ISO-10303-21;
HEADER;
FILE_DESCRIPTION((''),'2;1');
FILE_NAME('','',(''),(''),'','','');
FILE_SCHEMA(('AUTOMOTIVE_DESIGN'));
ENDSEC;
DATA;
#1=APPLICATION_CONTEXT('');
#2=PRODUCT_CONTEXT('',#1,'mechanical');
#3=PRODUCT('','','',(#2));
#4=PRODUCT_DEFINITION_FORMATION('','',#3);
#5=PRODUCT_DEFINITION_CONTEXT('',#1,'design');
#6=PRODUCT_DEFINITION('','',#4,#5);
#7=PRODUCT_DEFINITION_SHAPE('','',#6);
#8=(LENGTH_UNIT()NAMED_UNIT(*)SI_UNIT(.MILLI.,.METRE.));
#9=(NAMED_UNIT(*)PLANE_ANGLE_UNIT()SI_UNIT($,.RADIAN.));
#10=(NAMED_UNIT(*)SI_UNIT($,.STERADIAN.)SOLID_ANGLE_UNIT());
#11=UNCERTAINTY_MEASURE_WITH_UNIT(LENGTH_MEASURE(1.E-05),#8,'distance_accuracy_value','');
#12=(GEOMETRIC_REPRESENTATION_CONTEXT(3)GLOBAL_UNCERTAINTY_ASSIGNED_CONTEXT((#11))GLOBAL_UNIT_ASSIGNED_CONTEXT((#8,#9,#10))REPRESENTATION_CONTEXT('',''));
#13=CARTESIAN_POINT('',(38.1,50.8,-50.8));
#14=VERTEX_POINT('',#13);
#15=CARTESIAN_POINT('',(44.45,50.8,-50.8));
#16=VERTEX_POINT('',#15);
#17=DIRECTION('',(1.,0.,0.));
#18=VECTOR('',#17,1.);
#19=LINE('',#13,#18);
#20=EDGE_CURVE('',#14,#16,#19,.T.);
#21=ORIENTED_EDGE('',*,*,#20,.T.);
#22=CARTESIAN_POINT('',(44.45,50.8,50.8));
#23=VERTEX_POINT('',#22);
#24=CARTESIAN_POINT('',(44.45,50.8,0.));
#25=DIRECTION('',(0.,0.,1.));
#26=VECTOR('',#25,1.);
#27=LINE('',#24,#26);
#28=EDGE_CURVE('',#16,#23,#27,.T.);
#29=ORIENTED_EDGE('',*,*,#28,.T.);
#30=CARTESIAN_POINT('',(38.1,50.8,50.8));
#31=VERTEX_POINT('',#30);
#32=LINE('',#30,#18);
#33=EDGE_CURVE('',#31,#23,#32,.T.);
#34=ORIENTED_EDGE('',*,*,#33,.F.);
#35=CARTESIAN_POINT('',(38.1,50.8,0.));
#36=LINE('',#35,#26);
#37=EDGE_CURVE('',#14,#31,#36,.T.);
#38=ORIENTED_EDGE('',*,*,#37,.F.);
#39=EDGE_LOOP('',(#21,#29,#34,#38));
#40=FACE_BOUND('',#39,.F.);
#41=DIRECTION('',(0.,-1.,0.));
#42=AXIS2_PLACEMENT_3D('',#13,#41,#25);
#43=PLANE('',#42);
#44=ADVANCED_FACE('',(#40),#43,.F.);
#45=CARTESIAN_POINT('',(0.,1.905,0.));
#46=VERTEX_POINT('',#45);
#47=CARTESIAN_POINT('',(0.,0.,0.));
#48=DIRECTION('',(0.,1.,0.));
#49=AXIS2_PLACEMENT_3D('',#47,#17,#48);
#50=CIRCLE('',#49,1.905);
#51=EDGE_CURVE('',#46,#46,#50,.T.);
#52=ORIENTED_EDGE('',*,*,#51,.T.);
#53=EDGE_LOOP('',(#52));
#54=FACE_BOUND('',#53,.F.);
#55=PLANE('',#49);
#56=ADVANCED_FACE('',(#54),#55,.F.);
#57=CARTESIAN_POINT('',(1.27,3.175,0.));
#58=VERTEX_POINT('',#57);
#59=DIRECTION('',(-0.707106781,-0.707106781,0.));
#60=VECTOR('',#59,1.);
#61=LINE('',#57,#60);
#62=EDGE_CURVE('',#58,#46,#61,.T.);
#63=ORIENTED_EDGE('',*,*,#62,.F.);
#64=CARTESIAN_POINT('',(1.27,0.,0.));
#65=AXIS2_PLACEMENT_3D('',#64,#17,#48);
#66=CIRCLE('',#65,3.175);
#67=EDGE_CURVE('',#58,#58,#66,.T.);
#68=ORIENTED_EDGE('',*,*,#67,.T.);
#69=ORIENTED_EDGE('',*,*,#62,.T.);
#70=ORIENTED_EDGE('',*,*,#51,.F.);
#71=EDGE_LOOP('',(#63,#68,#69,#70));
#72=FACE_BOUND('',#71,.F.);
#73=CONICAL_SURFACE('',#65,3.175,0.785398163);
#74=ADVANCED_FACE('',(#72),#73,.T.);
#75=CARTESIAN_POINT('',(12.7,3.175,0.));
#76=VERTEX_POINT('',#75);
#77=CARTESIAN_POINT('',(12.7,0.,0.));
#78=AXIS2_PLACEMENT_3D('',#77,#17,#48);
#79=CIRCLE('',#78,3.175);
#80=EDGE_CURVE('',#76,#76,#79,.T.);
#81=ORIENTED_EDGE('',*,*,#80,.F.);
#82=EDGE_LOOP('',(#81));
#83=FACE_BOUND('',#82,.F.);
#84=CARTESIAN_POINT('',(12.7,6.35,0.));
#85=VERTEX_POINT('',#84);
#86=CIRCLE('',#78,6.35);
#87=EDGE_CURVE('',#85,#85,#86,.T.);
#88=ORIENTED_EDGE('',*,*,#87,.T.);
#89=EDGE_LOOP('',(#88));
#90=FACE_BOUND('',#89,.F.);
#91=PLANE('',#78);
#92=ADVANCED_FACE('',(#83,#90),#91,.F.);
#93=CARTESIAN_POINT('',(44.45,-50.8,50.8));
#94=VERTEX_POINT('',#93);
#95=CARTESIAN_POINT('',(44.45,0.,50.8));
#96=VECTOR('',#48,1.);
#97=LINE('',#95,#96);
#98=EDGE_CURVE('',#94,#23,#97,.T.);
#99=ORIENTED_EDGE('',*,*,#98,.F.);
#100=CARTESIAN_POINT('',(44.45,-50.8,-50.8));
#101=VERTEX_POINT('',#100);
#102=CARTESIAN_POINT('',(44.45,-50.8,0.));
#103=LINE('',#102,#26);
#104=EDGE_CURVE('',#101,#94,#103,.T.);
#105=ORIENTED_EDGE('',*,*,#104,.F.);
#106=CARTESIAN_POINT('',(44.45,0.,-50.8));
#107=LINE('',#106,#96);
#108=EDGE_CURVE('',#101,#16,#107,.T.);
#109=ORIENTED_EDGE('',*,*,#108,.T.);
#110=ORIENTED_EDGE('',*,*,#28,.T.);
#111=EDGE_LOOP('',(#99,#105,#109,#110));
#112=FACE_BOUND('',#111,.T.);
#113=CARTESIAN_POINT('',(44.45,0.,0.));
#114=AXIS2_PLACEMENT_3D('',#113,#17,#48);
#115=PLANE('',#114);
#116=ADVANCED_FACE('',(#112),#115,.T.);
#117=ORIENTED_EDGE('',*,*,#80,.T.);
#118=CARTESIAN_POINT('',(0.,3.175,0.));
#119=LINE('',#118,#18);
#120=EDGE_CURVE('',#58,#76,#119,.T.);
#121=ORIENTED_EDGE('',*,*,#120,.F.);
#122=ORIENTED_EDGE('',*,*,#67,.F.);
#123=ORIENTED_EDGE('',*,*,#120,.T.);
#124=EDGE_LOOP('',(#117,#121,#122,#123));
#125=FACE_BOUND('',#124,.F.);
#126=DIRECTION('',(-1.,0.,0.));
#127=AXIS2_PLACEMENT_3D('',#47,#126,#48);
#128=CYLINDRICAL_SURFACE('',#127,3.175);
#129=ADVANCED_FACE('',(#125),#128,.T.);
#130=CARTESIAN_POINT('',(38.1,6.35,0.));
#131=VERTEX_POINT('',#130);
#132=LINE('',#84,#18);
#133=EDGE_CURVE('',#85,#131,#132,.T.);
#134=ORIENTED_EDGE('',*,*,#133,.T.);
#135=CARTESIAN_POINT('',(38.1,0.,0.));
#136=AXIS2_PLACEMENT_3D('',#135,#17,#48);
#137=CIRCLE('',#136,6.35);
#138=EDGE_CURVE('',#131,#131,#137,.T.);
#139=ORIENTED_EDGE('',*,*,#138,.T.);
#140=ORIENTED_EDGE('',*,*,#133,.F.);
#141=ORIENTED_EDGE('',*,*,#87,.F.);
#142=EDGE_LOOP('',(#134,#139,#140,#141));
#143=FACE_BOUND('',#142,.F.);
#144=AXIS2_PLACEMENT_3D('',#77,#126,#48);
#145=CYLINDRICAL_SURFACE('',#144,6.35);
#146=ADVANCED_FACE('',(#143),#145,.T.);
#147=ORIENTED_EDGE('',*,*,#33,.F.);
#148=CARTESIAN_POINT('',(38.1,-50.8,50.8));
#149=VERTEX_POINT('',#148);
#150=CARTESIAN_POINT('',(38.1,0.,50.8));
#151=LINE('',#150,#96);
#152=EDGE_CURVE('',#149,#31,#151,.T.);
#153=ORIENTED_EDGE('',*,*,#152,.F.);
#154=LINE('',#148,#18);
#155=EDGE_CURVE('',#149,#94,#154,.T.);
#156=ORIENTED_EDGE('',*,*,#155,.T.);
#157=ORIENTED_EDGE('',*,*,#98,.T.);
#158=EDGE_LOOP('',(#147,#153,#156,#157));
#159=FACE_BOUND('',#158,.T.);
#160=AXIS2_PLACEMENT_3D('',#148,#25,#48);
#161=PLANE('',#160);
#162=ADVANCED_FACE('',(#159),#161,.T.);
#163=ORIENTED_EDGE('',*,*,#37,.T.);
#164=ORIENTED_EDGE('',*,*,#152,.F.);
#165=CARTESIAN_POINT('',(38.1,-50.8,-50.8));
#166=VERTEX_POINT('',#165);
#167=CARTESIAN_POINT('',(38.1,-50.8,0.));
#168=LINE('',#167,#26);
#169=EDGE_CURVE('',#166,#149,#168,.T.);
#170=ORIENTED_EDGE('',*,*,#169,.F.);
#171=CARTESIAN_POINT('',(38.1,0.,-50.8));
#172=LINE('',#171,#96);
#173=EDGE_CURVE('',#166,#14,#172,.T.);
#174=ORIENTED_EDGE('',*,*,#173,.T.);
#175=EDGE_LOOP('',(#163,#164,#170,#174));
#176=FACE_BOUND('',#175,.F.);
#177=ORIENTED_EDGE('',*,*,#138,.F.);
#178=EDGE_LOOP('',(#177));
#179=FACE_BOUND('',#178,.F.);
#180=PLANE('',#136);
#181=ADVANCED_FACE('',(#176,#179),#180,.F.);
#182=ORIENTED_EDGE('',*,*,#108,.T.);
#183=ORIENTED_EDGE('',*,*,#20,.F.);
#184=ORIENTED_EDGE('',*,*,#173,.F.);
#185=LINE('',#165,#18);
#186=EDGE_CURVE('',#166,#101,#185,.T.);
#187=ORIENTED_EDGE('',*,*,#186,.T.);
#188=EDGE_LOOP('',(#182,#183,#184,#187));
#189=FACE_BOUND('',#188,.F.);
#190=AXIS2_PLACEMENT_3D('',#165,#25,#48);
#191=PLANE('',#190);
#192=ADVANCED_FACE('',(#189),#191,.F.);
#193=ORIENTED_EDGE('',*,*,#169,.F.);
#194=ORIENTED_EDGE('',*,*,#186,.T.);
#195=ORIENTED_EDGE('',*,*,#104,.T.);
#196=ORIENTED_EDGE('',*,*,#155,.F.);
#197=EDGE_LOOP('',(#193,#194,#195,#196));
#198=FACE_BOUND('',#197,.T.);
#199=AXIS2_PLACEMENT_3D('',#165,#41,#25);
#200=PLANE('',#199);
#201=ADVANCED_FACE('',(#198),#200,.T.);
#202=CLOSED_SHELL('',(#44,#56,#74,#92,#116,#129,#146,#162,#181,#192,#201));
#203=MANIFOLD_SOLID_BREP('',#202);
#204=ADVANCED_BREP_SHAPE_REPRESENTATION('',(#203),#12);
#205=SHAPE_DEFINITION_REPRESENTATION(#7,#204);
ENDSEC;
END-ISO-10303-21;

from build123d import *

# Parameters (mm, degrees)
F0_R     = 3.175
F1_DEPTH = 12.7
F2_SIZE  = 1.27
F3_R     = 6.35
F4_DEPTH = 25.4
F5_W     = 101.6
F5_H     = 101.6
F5_R     = 6.35
F6_DEPTH = 6.35


with BuildPart() as f1:
    # F0 (on Right) → F1 (new body)
    with BuildSketch(Plane.YZ):
        Circle(F0_R)
    extrude(amount=F1_DEPTH)

    # F2
    f2_edges = [f1.edges().sort_by_distance(p)[0] for p in [
        (0, -3.175, 0),
    ]]
    chamfer(f2_edges, length=F2_SIZE)

    # F3 (on face) → F4 (join)
    with BuildSketch(Plane.YZ.offset(12.7)):
        Circle(F3_R)
    extrude(amount=F4_DEPTH)

    # F5 (on face) → F6 (join)
    with BuildSketch(Plane.YZ.offset(38.1)):
        Rectangle(F5_W, F5_H)
        Circle(F5_R, mode=Mode.SUBTRACT)
        Circle(F5_R)
    extrude(amount=F6_DEPTH)


solid = f1.part
